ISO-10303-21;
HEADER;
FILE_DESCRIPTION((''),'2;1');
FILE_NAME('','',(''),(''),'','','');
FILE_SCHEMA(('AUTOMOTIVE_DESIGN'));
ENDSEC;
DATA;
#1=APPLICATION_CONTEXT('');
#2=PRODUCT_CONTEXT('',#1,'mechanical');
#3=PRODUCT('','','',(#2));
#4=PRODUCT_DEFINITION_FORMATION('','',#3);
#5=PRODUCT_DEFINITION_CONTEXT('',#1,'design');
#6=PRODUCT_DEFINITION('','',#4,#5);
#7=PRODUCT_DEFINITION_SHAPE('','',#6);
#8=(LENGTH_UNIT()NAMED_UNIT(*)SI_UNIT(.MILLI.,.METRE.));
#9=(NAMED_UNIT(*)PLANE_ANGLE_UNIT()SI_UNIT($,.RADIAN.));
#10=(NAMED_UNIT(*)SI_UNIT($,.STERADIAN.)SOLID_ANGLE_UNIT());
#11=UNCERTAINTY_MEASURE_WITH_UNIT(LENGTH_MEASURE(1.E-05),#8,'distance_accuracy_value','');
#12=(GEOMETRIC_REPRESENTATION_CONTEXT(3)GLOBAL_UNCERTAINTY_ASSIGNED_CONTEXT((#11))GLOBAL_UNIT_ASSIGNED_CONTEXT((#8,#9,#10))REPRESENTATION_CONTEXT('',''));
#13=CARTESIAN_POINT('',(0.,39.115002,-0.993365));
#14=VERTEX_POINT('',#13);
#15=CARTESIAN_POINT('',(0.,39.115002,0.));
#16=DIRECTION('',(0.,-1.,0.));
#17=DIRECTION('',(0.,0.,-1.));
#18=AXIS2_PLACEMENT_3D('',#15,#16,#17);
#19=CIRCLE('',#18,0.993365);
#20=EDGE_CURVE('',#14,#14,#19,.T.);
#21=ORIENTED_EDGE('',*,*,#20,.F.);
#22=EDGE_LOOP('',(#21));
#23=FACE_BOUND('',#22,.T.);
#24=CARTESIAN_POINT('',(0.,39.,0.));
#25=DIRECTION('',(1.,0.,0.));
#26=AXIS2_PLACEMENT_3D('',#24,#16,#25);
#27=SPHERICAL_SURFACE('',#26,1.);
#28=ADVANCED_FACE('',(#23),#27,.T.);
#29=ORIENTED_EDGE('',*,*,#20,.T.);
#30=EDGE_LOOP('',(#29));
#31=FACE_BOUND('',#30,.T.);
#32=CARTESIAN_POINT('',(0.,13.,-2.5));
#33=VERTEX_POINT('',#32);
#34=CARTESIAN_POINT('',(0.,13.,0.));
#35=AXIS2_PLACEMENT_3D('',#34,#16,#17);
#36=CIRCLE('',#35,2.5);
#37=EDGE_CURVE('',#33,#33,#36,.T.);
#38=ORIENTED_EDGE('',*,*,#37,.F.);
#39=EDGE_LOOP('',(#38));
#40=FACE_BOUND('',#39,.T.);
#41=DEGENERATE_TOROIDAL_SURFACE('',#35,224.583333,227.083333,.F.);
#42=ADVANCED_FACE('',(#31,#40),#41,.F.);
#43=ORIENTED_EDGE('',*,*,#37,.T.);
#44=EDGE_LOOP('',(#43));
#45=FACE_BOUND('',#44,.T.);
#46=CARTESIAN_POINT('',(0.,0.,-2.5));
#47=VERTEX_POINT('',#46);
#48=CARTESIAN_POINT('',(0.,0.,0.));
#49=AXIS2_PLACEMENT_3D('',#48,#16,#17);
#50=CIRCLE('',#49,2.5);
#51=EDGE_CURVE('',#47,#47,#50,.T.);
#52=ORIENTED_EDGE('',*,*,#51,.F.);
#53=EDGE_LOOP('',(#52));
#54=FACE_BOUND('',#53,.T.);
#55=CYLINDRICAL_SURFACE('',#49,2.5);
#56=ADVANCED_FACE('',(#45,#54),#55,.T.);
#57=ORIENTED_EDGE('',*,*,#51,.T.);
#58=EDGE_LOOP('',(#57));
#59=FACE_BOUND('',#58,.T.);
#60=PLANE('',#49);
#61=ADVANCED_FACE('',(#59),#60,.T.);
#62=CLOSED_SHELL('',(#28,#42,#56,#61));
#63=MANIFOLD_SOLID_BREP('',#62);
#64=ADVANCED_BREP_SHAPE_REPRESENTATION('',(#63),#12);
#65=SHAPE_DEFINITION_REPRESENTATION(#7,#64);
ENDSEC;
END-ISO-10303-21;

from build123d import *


with BuildPart() as part:
    # Sketch2 → Revolve1 (revolve)
    with BuildSketch(Plane.XY, mode=Mode.PRIVATE) as revolve1_sk:
        with BuildLine():
            Line((0, 0), (2.5, 0))
            Line((2.5, 0), (2.5, 13))
            ThreePointArc((2.5, 13), (2.123028422, 26.079213178), (0.993365278, 39.115001843))
            ThreePointArc((0.993365278, 39.115001843), (0.665206042, 39.746659843), (0, 40))
            Line((0, 40), (0, 0))
        make_face()
    revolve(revolve1_sk.sketch.rotate(Axis((0, 0, 0), (0, 1, 0)), 90), axis=Axis((0, 0, 0), (0, 1, 0)))


solid = part.part
